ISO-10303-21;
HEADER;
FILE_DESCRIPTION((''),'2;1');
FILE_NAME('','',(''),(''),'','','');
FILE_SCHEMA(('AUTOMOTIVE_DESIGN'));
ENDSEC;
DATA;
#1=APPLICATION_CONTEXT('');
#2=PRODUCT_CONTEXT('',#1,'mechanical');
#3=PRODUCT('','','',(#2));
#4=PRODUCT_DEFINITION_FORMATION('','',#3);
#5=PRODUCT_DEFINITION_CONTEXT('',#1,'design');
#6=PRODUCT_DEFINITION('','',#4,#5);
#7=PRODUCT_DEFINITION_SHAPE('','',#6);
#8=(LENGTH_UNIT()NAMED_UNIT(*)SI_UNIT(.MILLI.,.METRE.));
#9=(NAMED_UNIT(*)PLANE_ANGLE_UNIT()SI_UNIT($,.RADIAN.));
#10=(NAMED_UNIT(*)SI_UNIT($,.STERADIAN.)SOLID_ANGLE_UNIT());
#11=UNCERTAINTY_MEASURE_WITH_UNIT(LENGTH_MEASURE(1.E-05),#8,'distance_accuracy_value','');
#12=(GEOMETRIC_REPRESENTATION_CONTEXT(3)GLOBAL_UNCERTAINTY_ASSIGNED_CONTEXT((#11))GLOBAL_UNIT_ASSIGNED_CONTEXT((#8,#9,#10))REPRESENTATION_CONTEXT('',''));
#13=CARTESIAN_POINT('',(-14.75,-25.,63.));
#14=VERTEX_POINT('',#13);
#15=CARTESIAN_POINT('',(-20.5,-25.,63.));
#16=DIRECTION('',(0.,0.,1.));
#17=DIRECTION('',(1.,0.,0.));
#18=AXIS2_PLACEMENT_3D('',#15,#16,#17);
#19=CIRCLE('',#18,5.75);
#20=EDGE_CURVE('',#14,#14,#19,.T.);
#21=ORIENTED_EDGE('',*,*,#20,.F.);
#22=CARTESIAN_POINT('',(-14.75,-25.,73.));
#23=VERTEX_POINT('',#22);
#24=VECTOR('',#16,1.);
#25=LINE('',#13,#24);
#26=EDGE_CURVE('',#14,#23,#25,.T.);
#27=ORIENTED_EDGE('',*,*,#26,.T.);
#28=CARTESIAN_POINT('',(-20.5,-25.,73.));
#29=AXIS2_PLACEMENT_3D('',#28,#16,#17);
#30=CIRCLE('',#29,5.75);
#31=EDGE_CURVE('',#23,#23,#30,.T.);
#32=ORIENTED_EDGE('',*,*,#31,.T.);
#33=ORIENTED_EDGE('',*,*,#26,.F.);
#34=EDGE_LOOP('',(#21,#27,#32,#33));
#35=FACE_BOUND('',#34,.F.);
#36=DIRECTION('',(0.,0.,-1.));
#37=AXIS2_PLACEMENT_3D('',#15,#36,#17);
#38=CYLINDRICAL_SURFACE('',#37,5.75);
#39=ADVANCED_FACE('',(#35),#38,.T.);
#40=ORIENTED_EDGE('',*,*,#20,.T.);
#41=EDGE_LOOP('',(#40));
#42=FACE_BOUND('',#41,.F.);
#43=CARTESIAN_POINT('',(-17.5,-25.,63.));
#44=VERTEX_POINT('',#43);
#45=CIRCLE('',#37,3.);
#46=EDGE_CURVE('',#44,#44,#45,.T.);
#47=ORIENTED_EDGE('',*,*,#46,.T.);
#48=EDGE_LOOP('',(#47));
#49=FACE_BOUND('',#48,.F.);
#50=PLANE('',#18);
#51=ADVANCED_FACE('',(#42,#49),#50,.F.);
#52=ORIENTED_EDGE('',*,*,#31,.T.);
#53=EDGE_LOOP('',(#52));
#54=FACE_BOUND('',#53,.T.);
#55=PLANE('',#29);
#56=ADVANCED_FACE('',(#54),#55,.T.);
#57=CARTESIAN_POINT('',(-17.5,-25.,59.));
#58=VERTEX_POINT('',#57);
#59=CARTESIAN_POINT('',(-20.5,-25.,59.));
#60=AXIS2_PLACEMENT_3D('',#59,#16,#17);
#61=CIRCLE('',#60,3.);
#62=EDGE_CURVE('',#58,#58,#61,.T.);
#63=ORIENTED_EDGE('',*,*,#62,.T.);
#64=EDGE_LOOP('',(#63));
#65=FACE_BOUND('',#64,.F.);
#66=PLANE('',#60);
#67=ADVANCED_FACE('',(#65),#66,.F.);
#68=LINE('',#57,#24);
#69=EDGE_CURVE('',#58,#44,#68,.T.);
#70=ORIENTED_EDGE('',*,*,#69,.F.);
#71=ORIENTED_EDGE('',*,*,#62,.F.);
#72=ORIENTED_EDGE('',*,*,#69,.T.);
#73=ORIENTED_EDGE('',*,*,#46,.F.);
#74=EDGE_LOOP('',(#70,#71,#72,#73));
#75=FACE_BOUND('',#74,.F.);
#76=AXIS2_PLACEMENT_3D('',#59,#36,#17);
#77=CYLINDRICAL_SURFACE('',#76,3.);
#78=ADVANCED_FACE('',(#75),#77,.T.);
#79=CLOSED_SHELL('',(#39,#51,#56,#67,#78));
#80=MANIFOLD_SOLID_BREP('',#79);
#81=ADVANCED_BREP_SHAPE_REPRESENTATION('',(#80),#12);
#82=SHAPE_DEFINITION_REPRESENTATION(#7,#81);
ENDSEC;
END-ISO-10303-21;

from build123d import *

# Parameters (mm, degrees)
CYLINDER014_R     = 5.75
CYLINDER014_DEPTH = 10
CYLINDER013_R     = 3
CYLINDER013_DEPTH = 10


with BuildPart() as antennain001:
    # Cylinder014 → Cylinder014 (new body)
    with BuildSketch(Plane(origin=(-23, 0, 69), x_dir=(1, 0, 0), z_dir=(0, 0, 1))):
        Circle(CYLINDER014_R)
    extrude(amount=CYLINDER014_DEPTH)


with BuildPart() as fusion003:
    # Cylinder013 → Cylinder013 (new body)
    with BuildSketch(Plane(origin=(-23, 0, 65), x_dir=(1, 0, 0), z_dir=(0, 0, 1))):
        Circle(CYLINDER013_R)
    extrude(amount=CYLINDER013_DEPTH)

    # Fusion003: union antennaIn001
    add(antennain001.part)


with BuildPart() as fusion003_1:
    # Fusion003 placement: moved
    add(fusion003.part.moved(Location((2.5, -25, -6))))


solid = fusion003_1.part
